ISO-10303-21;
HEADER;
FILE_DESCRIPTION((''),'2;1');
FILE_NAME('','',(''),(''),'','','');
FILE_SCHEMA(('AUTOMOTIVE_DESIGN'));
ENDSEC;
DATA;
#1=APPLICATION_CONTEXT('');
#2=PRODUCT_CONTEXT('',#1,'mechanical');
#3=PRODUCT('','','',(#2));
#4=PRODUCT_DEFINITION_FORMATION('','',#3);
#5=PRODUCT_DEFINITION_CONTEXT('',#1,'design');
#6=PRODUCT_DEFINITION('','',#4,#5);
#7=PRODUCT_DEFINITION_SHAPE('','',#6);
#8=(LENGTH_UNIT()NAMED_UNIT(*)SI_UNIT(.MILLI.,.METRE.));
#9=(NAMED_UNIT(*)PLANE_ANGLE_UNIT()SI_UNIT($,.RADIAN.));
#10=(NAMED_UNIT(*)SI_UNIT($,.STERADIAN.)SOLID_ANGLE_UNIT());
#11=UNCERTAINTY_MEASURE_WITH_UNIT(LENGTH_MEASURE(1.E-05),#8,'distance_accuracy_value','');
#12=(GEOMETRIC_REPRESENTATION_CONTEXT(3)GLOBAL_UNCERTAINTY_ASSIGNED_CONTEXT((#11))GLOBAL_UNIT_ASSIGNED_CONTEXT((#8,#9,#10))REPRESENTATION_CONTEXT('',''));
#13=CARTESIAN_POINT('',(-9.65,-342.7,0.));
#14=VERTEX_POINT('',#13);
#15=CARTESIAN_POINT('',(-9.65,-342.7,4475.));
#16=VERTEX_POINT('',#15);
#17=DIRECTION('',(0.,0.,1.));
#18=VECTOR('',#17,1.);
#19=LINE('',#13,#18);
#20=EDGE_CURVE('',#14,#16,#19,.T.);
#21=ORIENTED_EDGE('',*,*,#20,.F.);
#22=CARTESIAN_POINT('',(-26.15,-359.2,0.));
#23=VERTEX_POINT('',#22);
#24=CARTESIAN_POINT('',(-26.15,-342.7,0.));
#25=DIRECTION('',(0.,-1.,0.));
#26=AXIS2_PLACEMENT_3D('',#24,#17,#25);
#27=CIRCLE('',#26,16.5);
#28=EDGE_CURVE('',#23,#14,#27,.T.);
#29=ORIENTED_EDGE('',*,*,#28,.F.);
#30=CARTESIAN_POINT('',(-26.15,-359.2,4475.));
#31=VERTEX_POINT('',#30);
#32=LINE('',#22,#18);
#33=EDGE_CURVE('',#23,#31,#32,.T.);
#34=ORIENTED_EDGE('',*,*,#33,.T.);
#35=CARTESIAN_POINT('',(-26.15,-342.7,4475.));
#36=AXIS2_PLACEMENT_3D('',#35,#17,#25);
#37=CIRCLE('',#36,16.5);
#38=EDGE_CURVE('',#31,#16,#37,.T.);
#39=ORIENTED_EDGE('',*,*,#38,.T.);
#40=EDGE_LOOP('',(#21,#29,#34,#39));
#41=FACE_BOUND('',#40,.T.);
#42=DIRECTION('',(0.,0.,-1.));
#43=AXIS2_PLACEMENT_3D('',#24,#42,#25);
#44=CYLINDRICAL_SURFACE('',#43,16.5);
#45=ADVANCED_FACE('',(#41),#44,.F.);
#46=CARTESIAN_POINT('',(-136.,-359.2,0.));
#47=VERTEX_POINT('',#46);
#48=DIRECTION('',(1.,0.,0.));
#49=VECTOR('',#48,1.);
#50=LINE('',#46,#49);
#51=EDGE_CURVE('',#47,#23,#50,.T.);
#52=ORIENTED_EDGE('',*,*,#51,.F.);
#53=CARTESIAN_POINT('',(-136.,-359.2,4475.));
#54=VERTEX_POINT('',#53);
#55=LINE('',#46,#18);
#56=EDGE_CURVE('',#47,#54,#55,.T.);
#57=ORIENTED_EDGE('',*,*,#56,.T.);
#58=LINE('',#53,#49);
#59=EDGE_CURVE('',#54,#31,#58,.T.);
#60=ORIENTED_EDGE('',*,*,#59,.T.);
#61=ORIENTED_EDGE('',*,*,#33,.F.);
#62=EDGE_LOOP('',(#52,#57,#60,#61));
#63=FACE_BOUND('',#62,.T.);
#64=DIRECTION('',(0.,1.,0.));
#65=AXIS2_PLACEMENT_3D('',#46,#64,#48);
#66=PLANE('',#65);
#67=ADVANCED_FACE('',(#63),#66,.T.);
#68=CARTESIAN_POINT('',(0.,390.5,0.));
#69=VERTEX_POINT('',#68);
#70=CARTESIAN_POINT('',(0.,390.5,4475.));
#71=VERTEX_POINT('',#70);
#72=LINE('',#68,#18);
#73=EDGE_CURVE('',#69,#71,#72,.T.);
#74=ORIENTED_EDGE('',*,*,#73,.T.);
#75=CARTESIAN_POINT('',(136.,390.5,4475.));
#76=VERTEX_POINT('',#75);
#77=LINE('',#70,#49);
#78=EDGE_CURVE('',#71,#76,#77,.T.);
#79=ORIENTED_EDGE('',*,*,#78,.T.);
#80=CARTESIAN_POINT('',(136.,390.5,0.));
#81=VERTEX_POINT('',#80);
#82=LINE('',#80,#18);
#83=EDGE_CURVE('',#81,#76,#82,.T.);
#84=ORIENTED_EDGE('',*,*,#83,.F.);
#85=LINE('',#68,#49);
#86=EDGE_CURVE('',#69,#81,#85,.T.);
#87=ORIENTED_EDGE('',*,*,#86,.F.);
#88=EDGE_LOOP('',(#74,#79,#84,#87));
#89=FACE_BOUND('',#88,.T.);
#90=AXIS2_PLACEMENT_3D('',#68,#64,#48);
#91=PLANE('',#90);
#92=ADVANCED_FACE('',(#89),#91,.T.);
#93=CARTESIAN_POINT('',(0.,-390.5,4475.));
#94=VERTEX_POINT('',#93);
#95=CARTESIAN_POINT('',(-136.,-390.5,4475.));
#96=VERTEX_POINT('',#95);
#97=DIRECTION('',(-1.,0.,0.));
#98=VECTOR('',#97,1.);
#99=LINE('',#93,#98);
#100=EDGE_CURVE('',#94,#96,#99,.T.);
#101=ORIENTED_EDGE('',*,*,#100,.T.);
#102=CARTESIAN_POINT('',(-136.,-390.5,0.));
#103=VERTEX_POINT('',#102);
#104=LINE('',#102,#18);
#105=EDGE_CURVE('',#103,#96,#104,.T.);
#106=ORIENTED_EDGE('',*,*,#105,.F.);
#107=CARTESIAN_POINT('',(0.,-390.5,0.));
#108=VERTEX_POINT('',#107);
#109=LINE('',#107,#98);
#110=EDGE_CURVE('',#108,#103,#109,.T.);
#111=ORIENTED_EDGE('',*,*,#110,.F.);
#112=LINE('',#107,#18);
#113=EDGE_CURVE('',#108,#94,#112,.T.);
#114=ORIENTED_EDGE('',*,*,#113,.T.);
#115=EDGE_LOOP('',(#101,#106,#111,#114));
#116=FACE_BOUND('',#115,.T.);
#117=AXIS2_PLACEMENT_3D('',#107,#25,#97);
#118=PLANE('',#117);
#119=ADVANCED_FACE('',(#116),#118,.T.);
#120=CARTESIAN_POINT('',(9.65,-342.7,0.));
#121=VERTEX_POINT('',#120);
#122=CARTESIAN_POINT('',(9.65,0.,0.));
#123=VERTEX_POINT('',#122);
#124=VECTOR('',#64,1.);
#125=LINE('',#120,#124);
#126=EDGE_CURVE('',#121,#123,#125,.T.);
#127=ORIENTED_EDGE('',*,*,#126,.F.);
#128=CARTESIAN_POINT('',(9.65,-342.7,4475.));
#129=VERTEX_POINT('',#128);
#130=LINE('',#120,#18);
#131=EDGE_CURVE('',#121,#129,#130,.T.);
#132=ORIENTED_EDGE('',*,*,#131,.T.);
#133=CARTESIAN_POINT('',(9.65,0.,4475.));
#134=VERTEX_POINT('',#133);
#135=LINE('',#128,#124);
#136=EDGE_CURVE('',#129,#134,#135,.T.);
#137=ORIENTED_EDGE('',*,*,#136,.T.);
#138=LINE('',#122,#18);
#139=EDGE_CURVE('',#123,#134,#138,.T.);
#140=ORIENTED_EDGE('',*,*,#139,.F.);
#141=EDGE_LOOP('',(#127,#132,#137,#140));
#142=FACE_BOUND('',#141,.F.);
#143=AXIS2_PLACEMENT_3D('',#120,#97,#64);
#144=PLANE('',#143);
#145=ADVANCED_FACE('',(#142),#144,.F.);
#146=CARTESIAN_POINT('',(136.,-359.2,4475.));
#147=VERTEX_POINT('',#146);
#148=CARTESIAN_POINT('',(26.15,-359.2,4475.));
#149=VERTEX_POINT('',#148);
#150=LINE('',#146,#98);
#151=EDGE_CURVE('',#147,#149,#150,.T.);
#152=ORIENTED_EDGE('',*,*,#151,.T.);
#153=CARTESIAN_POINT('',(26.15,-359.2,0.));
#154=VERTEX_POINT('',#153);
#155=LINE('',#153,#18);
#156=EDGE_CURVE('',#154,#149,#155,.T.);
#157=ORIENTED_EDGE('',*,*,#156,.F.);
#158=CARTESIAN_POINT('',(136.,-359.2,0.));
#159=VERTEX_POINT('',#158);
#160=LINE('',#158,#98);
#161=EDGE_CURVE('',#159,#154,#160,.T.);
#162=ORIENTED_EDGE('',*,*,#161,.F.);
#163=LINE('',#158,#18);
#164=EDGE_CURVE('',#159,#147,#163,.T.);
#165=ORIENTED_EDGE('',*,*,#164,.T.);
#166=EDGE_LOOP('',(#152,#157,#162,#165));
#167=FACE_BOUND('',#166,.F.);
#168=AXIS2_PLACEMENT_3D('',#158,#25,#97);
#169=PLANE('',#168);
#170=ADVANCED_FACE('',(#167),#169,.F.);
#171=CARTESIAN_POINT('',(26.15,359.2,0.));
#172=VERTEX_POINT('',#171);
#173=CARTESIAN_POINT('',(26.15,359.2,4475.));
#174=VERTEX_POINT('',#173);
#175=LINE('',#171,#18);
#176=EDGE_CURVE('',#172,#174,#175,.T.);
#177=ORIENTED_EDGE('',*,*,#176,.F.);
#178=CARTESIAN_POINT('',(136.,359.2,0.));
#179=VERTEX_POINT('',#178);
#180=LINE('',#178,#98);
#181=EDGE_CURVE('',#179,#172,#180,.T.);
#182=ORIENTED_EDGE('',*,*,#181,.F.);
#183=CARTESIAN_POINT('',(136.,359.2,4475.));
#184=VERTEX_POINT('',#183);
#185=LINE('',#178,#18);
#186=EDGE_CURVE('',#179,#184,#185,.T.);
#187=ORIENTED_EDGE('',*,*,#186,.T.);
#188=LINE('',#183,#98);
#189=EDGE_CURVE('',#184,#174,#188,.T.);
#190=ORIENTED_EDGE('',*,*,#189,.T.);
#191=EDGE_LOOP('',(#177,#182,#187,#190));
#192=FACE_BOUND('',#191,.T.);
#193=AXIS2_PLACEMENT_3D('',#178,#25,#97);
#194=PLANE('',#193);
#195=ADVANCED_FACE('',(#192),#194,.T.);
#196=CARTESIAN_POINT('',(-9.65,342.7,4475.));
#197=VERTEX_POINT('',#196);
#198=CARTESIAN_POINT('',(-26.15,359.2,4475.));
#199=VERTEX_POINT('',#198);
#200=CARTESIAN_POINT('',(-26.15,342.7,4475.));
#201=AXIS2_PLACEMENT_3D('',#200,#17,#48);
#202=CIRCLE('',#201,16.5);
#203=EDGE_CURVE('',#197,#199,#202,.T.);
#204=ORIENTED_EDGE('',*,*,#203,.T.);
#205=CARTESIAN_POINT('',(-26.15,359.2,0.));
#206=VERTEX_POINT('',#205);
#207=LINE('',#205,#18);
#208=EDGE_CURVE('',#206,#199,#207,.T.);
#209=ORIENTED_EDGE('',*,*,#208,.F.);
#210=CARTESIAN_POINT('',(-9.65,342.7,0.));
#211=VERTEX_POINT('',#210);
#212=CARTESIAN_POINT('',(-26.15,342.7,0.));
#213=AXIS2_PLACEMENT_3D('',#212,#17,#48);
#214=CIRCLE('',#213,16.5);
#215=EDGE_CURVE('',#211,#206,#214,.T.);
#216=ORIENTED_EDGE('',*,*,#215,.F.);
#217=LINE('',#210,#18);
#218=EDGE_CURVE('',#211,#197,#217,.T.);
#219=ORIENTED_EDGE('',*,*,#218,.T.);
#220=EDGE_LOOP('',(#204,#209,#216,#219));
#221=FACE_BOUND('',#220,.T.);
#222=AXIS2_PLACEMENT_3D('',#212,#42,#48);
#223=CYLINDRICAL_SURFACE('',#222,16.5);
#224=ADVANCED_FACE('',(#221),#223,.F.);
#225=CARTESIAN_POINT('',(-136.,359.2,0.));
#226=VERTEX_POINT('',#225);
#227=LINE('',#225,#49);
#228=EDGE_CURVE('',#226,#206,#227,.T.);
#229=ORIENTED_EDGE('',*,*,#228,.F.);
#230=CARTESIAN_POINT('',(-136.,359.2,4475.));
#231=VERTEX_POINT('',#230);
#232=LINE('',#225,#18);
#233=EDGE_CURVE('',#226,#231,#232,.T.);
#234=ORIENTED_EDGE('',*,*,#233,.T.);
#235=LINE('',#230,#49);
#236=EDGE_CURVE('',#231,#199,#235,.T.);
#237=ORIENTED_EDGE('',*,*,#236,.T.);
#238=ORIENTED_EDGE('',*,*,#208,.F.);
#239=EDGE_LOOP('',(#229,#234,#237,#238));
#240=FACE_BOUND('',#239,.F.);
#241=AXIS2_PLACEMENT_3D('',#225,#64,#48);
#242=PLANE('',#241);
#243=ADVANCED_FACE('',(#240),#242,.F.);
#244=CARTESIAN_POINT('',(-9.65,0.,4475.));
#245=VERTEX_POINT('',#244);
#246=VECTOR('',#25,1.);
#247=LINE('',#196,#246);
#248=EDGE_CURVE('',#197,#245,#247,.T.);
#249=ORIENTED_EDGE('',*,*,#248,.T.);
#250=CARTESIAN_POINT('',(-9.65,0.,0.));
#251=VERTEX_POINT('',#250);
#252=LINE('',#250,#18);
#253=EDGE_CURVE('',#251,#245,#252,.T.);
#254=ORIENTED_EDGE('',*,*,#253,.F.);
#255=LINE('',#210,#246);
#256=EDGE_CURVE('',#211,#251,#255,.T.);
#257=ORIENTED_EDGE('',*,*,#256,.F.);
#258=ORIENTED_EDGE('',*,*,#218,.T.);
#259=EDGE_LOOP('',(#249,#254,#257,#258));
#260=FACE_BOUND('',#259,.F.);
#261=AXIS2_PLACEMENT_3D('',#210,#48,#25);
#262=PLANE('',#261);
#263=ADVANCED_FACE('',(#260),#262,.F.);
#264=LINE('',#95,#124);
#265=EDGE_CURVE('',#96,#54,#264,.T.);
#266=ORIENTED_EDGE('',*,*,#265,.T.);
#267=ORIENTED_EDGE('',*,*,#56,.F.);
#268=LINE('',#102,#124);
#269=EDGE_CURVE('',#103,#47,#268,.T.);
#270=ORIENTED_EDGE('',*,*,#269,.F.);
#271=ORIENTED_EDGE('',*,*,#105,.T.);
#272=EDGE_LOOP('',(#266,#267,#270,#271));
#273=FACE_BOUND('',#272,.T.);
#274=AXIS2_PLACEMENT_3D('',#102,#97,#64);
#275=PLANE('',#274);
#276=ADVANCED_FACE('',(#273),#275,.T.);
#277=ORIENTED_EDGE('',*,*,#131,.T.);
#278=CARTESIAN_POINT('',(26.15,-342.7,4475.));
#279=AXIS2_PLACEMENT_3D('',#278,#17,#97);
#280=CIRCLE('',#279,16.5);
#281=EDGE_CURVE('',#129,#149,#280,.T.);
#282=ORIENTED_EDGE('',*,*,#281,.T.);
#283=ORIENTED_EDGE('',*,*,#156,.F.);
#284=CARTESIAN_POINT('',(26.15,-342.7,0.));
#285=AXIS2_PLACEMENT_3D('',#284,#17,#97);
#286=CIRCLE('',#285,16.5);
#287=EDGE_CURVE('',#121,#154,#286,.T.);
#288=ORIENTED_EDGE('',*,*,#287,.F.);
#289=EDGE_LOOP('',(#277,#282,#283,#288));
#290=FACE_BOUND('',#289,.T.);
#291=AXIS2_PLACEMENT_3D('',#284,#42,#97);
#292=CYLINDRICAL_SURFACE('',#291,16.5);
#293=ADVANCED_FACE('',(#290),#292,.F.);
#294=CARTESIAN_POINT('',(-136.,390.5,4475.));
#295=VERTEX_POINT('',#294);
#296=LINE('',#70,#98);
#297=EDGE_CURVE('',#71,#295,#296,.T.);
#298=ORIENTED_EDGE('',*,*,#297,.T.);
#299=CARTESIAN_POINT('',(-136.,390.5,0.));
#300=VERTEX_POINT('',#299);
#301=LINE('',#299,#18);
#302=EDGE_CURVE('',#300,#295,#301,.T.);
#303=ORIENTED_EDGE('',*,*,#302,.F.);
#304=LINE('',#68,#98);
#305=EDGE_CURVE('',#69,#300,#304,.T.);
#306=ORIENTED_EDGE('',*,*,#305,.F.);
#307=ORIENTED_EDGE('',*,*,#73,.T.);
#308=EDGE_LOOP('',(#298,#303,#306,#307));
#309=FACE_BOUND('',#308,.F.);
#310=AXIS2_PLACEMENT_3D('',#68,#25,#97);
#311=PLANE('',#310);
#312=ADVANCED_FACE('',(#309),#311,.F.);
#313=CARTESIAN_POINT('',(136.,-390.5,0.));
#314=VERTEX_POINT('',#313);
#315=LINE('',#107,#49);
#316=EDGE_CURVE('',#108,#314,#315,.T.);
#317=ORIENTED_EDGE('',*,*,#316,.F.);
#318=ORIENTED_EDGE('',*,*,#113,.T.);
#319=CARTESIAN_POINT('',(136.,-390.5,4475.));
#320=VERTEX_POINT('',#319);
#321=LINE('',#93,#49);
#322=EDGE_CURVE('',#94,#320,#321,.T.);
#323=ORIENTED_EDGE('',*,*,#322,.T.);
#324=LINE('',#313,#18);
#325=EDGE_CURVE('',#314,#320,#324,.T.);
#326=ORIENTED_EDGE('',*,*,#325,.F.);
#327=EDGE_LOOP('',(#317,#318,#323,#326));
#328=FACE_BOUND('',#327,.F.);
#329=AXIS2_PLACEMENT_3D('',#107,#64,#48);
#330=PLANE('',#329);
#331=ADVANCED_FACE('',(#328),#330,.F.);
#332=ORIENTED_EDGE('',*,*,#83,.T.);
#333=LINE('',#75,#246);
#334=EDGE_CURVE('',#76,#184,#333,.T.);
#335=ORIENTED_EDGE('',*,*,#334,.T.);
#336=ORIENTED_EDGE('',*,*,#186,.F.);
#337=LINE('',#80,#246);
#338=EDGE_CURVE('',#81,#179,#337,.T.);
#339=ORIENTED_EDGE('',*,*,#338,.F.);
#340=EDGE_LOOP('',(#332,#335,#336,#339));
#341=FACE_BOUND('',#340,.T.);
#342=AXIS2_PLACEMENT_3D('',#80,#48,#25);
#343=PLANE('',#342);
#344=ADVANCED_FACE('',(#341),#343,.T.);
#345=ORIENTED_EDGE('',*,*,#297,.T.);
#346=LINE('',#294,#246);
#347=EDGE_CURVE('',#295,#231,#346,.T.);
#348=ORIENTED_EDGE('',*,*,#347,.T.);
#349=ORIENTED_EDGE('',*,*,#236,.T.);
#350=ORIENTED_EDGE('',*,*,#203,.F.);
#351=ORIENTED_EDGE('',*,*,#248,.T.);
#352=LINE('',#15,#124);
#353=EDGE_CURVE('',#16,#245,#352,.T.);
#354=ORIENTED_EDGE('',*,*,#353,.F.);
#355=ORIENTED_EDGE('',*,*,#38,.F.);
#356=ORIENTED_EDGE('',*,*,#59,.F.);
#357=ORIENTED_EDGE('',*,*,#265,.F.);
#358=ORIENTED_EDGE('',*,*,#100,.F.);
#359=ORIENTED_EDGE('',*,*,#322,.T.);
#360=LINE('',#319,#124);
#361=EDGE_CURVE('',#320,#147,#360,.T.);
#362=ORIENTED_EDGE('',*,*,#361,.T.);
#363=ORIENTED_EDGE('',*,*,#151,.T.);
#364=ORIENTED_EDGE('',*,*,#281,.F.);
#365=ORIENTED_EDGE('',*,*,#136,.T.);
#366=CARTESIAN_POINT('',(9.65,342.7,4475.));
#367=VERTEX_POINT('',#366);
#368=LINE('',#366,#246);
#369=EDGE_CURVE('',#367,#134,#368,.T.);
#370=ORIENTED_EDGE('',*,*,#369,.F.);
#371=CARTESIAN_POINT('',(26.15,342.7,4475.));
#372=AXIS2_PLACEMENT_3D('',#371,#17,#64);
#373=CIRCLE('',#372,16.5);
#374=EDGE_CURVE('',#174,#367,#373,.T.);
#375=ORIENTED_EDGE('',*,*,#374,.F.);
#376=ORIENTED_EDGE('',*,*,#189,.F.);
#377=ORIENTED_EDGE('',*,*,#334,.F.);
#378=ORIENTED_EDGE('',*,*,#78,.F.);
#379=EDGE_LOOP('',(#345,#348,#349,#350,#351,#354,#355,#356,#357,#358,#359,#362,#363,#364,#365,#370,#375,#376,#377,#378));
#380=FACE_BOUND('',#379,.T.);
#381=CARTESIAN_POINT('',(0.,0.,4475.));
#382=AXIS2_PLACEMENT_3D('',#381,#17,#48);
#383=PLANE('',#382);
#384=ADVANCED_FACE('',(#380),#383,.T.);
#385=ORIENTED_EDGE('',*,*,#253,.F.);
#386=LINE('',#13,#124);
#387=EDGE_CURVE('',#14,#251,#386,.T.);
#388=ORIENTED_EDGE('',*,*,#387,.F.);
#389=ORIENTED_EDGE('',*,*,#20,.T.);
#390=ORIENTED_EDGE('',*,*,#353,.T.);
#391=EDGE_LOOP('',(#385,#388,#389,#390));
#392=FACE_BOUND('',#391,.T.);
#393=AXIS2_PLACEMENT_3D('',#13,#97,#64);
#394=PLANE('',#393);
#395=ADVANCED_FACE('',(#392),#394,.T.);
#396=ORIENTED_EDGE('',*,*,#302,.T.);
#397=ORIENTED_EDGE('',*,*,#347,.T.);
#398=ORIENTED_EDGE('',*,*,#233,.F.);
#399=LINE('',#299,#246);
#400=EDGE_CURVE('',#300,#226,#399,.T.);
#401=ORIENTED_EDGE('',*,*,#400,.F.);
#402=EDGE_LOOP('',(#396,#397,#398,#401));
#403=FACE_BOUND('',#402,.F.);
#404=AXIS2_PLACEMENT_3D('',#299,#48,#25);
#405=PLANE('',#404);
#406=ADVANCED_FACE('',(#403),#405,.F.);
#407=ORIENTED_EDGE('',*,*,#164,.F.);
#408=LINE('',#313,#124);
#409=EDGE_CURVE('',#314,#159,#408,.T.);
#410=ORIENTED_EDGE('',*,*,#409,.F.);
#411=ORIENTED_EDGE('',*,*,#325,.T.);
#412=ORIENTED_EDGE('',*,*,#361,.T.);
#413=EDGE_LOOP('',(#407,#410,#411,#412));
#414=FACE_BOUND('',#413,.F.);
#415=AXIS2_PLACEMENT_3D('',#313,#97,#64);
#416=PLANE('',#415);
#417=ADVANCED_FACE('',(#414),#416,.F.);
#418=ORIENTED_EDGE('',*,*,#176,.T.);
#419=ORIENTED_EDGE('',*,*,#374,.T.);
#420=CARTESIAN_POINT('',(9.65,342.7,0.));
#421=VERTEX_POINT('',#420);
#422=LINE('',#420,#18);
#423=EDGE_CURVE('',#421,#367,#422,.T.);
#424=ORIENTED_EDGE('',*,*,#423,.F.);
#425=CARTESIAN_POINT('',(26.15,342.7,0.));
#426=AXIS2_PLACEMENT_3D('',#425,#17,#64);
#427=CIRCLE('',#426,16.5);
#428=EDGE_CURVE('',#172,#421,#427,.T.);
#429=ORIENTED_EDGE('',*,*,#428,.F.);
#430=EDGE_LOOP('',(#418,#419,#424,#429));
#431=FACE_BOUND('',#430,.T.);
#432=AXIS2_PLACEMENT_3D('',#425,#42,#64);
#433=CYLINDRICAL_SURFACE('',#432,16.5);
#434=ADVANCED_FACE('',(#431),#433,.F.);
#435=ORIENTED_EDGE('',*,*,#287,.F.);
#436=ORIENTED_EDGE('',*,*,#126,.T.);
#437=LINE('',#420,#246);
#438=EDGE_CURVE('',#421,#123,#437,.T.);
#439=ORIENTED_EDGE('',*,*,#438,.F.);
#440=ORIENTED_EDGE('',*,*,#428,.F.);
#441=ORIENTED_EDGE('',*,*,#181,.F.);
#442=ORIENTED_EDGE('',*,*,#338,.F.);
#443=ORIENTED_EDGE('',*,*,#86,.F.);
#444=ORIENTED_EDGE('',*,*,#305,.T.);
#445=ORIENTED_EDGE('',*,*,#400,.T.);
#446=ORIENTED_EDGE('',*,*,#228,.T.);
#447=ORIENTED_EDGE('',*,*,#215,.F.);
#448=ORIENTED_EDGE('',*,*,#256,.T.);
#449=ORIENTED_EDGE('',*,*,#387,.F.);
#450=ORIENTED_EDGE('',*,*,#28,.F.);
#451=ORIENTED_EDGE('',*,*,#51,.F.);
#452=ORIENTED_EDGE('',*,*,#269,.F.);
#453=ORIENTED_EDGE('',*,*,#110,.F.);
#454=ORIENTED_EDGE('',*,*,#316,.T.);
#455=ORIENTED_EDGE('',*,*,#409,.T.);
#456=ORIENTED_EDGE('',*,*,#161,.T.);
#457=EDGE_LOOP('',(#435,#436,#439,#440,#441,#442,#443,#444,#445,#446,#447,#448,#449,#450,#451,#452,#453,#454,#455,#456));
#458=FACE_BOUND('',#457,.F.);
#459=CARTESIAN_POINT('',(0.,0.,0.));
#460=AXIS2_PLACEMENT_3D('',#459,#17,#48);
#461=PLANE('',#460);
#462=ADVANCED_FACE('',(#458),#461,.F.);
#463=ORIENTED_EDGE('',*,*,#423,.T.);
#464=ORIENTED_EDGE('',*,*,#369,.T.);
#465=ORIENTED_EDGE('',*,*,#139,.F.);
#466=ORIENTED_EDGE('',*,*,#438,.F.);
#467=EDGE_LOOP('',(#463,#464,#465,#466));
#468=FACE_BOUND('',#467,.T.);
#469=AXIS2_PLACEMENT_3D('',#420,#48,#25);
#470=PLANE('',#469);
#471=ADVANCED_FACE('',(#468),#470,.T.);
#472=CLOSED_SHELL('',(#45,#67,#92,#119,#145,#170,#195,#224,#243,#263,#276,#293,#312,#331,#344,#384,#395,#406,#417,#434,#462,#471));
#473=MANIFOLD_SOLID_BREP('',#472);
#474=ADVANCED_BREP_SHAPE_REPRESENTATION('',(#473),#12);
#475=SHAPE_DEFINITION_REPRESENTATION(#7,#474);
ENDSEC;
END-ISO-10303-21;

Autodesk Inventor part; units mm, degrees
ref_plane "YZ Plane" through (0, 0, 0) normal (1, 0, 0) x (0, 1, 0)
ref_plane "Start plane" through (0, 0, 0) normal (0, 0, 1) x (1, 0, 0)
ref_plane "End plane" through (0, 0, 4475) normal (0, 0, 1) x (1, 0, 0)
sketch "Sketch" plane through (0, 0, 0) normal (0, 0, 1) x (1, 0, 0)
  line L0 (-136, -390.5) -> (-136, -359.2)
  line L1 (-136, -359.2) -> (-26.15, -359.2)
  line L2 (-9.65, -342.7) -> (-9.65, 0)
  line L3 (-9.65, 0) -> (0, 0) construction
  line L4 (0, 0) -> (0, -390.5) construction
  line L5 (0, -390.5) -> (-136, -390.5)
  line L6 (-60, 0) -> (80, 0) construction
  line L7 (0, -60) -> (0, 80) construction
  line L8 (136, -390.5) -> (136, -359.2)
  line L9 (136, -359.2) -> (26.15, -359.2)
  line L10 (9.65, -342.7) -> (9.65, 0)
  line L11 (9.65, 0) -> (0, 0) construction
  line L12 (0, -390.5) -> (136, -390.5)
  line L13 (-136, 390.5) -> (-136, 359.2)
  line L14 (-136, 359.2) -> (-26.15, 359.2)
  line L15 (-9.65, 342.7) -> (-9.65, 0)
  line L16 (0, 390.5) -> (-136, 390.5)
  line L17 (136, 390.5) -> (136, 359.2)
  line L18 (136, 359.2) -> (26.15, 359.2)
  line L19 (0, 390.5) -> (136, 390.5)
  line L20 (9.65, 342.7) -> (9.65, 0)
  arc A0 (-9.65, 342.7) -> (-26.15, 359.2) centre (-26.15, 342.7) ccw
  arc A1 (26.15, 359.2) -> (9.65, 342.7) centre (26.15, 342.7) ccw
  arc A2 (9.65, -342.7) -> (26.15, -359.2) centre (26.15, -342.7) ccw
  arc A3 (-26.15, -359.2) -> (-9.65, -342.7) centre (-26.15, -342.7) ccw
  line L21 (0, 108) -> (0, -88) construction
  line L22 (-88, 0) -> (108, 0) construction
  point P0 (-9.65, -359.2)
  point P1 (9.65, -359.2)
  point P2 (-9.65, 359.2)
  point P3 (9.65, 359.2)
  dimension "d1" = 390.5
  dimension "d2" = 31.3
  dimension "d3" = 136
  dimension "d4" = 9.65
  dimension "d10" = 16.5
extrude "Body" add sketch "Sketch" along normal up to surface (4475 mm away) from surface at 0
sketch "Sketch4" plane through (0, 0, 0) normal (0, 0, 1) x (1, 0, 0)
  line L0 (0, 0) -> (10, 0)
ref_plane "Work Plane3" through (0, 0, 0) normal (0, -1, 0) x (1, 0, 0)
sketch "Sketch5" plane through (0, 0, 0) normal (0, -1, 0) x (1, 0, 0)
  line L0 (-2, 0) -> (12, 0) projected
  line L1 (-2, 4475) -> (12, 4475) projected
  dimension "d14" = 4475
equation "\"d1\" = 0.5 * G_H"
equation "\"d2\" = G_T1"
equation "\"d3\" = 0.5 * G_W"
equation "\"d4\" = 0.5 * G_T"
equation "\"d10\" = G_IR"
equation "\"d5\" = G_L"
equation "\"G_W\" = 272"
equation "\"G_H\" = 781"
equation "\"G_T\" = 19.3"
equation "\"G_T1\" = 31.3"
equation "\"G_IR\" = 16.5"
equation "\"G_L\" = d14"
equation "\"G_OFFSET_START\" = 0"
equation "\"G_OFFSET_END\" = 0"
equation "\"d12\" = G_OFFSET_END + B_L"
equation "\"B_L\" = 4475"
properties part number "AS 3679-1990 - 760 UB - 244 - 4475" material "Steel, Mild"
